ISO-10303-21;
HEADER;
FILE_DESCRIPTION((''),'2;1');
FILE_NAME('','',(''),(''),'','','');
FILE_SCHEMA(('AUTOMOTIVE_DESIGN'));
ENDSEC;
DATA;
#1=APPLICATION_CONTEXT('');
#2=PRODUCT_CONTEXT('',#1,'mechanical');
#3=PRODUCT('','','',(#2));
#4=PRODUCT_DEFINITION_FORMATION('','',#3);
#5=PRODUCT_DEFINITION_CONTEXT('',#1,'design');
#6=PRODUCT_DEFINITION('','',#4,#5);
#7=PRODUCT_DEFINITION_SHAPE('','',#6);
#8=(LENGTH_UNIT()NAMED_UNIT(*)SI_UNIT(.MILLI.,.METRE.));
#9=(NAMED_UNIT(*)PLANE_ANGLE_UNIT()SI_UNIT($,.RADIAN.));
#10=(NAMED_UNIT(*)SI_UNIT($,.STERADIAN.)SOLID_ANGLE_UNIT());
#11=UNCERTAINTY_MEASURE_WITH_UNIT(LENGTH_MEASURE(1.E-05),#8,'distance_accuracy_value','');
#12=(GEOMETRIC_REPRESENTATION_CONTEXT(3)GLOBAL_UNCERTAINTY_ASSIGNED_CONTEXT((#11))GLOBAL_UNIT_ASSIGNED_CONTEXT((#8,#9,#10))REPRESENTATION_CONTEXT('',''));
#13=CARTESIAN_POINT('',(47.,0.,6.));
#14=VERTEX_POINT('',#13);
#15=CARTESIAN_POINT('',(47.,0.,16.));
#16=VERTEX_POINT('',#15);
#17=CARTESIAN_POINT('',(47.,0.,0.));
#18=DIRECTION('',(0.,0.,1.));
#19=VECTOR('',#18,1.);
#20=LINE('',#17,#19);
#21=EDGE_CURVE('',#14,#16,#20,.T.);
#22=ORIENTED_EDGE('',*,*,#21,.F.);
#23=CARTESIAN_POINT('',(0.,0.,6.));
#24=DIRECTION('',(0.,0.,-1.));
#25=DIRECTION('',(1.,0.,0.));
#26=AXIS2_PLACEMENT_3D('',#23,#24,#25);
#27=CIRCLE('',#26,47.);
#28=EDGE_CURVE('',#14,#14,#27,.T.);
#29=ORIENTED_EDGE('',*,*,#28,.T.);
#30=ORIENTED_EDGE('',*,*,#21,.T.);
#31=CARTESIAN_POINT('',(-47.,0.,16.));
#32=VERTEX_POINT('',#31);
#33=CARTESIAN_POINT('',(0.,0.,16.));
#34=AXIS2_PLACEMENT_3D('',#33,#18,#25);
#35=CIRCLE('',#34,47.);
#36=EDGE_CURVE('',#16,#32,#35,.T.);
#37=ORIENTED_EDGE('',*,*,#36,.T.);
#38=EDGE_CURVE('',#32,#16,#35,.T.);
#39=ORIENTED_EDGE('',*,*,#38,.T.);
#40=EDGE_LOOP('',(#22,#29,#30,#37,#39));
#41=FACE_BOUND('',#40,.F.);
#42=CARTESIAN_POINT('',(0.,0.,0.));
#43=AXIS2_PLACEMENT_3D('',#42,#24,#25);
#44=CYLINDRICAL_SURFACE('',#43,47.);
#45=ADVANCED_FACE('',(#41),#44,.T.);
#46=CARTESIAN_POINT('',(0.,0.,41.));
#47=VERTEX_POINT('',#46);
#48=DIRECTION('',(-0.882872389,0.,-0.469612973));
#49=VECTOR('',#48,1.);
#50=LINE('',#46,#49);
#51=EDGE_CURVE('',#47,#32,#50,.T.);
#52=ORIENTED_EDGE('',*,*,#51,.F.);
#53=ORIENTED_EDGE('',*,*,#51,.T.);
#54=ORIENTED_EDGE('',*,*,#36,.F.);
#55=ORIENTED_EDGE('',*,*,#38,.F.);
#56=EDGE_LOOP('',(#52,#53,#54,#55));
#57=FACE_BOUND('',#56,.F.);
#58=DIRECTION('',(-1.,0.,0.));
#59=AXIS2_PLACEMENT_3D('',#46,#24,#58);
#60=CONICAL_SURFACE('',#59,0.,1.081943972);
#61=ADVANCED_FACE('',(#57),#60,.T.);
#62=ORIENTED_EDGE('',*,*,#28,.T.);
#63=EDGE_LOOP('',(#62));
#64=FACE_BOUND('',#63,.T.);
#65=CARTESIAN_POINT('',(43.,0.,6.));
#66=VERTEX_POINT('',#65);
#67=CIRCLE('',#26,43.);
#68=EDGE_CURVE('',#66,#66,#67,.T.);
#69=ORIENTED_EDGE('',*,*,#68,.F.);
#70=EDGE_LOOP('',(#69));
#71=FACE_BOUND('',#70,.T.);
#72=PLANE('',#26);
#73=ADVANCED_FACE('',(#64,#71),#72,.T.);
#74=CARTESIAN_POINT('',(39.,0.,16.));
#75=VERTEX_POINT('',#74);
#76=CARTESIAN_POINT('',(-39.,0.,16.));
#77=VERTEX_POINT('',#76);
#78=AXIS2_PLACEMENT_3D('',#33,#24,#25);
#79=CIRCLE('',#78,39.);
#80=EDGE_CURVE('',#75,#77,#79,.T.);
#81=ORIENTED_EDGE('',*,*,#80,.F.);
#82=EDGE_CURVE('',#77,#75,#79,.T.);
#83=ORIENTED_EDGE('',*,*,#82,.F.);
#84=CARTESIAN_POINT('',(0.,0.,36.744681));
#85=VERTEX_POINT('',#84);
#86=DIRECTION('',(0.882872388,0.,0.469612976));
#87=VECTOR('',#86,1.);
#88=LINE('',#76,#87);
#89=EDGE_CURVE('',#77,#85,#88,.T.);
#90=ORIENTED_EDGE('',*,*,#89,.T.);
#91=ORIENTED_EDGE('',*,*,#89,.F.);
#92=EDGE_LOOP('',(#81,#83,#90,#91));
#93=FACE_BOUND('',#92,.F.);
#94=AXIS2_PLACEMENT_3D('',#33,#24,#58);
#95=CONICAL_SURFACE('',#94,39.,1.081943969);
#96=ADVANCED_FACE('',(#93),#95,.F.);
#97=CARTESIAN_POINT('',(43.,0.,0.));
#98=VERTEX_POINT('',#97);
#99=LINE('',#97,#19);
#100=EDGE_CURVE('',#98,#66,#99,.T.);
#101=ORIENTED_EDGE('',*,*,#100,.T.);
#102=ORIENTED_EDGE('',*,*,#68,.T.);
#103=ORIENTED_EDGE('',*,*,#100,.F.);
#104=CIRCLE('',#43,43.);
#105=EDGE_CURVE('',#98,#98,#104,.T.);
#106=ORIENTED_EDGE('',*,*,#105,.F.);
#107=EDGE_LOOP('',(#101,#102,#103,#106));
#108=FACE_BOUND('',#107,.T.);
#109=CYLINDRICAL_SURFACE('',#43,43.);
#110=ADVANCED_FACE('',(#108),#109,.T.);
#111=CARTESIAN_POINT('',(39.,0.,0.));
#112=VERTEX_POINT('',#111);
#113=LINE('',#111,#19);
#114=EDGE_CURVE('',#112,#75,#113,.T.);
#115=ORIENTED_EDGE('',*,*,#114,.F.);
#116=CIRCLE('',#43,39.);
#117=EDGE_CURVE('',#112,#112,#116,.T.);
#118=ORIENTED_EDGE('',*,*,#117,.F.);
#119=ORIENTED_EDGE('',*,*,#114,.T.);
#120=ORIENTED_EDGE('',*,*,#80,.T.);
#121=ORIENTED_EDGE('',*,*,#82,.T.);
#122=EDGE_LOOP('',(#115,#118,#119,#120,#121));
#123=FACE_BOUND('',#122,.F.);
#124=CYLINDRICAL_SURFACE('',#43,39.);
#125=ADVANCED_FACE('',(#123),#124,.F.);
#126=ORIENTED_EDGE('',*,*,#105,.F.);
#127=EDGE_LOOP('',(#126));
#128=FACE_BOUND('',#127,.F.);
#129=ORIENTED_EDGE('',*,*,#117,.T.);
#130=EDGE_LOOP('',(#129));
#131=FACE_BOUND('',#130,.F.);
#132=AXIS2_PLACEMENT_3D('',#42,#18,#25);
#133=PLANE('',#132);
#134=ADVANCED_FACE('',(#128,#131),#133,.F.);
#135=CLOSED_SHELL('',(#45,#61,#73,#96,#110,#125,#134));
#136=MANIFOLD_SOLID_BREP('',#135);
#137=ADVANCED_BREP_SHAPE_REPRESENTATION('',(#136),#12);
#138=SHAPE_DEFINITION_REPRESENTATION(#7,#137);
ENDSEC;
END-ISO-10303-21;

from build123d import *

# Parameters (mm, degrees)
F0_R     = 47
F1_DEPTH = 16
F2_R     = 39
F3_DEPTH = 16
F4_R     = 47
F4_R_2   = 43
F5_DEPTH = 6


with BuildPart() as f1:
    # F0 (on Top) → F1 (new body)
    with BuildSketch(Plane.XY):
        Circle(F0_R)
    extrude(amount=F1_DEPTH)

    # F2 (on face) → F3 (cut)
    with BuildSketch(Plane(origin=(0, 0, 0), x_dir=(1, 0, 0), z_dir=(0, 0, -1))):
        Circle(F2_R)
    extrude(amount=-F3_DEPTH, mode=Mode.SUBTRACT)

    # F4 (on face) → F5 (cut)
    with BuildSketch(Plane(origin=(0, 0, 0), x_dir=(1, 0, 0), z_dir=(0, 0, -1))):
        Circle(F4_R)
        Circle(F4_R_2, mode=Mode.SUBTRACT)
    extrude(amount=-F5_DEPTH, mode=Mode.SUBTRACT)

    # F7 (on Front) → F8 (revolve)
    with BuildSketch(Plane.XZ):
        Polygon((-39, 16), (0, 36.744681), (0, 41), (-47, 16), align=None)
    revolve(axis=Axis((0, 0, 12.147951), (0, 0, 1)))


solid = f1.part
